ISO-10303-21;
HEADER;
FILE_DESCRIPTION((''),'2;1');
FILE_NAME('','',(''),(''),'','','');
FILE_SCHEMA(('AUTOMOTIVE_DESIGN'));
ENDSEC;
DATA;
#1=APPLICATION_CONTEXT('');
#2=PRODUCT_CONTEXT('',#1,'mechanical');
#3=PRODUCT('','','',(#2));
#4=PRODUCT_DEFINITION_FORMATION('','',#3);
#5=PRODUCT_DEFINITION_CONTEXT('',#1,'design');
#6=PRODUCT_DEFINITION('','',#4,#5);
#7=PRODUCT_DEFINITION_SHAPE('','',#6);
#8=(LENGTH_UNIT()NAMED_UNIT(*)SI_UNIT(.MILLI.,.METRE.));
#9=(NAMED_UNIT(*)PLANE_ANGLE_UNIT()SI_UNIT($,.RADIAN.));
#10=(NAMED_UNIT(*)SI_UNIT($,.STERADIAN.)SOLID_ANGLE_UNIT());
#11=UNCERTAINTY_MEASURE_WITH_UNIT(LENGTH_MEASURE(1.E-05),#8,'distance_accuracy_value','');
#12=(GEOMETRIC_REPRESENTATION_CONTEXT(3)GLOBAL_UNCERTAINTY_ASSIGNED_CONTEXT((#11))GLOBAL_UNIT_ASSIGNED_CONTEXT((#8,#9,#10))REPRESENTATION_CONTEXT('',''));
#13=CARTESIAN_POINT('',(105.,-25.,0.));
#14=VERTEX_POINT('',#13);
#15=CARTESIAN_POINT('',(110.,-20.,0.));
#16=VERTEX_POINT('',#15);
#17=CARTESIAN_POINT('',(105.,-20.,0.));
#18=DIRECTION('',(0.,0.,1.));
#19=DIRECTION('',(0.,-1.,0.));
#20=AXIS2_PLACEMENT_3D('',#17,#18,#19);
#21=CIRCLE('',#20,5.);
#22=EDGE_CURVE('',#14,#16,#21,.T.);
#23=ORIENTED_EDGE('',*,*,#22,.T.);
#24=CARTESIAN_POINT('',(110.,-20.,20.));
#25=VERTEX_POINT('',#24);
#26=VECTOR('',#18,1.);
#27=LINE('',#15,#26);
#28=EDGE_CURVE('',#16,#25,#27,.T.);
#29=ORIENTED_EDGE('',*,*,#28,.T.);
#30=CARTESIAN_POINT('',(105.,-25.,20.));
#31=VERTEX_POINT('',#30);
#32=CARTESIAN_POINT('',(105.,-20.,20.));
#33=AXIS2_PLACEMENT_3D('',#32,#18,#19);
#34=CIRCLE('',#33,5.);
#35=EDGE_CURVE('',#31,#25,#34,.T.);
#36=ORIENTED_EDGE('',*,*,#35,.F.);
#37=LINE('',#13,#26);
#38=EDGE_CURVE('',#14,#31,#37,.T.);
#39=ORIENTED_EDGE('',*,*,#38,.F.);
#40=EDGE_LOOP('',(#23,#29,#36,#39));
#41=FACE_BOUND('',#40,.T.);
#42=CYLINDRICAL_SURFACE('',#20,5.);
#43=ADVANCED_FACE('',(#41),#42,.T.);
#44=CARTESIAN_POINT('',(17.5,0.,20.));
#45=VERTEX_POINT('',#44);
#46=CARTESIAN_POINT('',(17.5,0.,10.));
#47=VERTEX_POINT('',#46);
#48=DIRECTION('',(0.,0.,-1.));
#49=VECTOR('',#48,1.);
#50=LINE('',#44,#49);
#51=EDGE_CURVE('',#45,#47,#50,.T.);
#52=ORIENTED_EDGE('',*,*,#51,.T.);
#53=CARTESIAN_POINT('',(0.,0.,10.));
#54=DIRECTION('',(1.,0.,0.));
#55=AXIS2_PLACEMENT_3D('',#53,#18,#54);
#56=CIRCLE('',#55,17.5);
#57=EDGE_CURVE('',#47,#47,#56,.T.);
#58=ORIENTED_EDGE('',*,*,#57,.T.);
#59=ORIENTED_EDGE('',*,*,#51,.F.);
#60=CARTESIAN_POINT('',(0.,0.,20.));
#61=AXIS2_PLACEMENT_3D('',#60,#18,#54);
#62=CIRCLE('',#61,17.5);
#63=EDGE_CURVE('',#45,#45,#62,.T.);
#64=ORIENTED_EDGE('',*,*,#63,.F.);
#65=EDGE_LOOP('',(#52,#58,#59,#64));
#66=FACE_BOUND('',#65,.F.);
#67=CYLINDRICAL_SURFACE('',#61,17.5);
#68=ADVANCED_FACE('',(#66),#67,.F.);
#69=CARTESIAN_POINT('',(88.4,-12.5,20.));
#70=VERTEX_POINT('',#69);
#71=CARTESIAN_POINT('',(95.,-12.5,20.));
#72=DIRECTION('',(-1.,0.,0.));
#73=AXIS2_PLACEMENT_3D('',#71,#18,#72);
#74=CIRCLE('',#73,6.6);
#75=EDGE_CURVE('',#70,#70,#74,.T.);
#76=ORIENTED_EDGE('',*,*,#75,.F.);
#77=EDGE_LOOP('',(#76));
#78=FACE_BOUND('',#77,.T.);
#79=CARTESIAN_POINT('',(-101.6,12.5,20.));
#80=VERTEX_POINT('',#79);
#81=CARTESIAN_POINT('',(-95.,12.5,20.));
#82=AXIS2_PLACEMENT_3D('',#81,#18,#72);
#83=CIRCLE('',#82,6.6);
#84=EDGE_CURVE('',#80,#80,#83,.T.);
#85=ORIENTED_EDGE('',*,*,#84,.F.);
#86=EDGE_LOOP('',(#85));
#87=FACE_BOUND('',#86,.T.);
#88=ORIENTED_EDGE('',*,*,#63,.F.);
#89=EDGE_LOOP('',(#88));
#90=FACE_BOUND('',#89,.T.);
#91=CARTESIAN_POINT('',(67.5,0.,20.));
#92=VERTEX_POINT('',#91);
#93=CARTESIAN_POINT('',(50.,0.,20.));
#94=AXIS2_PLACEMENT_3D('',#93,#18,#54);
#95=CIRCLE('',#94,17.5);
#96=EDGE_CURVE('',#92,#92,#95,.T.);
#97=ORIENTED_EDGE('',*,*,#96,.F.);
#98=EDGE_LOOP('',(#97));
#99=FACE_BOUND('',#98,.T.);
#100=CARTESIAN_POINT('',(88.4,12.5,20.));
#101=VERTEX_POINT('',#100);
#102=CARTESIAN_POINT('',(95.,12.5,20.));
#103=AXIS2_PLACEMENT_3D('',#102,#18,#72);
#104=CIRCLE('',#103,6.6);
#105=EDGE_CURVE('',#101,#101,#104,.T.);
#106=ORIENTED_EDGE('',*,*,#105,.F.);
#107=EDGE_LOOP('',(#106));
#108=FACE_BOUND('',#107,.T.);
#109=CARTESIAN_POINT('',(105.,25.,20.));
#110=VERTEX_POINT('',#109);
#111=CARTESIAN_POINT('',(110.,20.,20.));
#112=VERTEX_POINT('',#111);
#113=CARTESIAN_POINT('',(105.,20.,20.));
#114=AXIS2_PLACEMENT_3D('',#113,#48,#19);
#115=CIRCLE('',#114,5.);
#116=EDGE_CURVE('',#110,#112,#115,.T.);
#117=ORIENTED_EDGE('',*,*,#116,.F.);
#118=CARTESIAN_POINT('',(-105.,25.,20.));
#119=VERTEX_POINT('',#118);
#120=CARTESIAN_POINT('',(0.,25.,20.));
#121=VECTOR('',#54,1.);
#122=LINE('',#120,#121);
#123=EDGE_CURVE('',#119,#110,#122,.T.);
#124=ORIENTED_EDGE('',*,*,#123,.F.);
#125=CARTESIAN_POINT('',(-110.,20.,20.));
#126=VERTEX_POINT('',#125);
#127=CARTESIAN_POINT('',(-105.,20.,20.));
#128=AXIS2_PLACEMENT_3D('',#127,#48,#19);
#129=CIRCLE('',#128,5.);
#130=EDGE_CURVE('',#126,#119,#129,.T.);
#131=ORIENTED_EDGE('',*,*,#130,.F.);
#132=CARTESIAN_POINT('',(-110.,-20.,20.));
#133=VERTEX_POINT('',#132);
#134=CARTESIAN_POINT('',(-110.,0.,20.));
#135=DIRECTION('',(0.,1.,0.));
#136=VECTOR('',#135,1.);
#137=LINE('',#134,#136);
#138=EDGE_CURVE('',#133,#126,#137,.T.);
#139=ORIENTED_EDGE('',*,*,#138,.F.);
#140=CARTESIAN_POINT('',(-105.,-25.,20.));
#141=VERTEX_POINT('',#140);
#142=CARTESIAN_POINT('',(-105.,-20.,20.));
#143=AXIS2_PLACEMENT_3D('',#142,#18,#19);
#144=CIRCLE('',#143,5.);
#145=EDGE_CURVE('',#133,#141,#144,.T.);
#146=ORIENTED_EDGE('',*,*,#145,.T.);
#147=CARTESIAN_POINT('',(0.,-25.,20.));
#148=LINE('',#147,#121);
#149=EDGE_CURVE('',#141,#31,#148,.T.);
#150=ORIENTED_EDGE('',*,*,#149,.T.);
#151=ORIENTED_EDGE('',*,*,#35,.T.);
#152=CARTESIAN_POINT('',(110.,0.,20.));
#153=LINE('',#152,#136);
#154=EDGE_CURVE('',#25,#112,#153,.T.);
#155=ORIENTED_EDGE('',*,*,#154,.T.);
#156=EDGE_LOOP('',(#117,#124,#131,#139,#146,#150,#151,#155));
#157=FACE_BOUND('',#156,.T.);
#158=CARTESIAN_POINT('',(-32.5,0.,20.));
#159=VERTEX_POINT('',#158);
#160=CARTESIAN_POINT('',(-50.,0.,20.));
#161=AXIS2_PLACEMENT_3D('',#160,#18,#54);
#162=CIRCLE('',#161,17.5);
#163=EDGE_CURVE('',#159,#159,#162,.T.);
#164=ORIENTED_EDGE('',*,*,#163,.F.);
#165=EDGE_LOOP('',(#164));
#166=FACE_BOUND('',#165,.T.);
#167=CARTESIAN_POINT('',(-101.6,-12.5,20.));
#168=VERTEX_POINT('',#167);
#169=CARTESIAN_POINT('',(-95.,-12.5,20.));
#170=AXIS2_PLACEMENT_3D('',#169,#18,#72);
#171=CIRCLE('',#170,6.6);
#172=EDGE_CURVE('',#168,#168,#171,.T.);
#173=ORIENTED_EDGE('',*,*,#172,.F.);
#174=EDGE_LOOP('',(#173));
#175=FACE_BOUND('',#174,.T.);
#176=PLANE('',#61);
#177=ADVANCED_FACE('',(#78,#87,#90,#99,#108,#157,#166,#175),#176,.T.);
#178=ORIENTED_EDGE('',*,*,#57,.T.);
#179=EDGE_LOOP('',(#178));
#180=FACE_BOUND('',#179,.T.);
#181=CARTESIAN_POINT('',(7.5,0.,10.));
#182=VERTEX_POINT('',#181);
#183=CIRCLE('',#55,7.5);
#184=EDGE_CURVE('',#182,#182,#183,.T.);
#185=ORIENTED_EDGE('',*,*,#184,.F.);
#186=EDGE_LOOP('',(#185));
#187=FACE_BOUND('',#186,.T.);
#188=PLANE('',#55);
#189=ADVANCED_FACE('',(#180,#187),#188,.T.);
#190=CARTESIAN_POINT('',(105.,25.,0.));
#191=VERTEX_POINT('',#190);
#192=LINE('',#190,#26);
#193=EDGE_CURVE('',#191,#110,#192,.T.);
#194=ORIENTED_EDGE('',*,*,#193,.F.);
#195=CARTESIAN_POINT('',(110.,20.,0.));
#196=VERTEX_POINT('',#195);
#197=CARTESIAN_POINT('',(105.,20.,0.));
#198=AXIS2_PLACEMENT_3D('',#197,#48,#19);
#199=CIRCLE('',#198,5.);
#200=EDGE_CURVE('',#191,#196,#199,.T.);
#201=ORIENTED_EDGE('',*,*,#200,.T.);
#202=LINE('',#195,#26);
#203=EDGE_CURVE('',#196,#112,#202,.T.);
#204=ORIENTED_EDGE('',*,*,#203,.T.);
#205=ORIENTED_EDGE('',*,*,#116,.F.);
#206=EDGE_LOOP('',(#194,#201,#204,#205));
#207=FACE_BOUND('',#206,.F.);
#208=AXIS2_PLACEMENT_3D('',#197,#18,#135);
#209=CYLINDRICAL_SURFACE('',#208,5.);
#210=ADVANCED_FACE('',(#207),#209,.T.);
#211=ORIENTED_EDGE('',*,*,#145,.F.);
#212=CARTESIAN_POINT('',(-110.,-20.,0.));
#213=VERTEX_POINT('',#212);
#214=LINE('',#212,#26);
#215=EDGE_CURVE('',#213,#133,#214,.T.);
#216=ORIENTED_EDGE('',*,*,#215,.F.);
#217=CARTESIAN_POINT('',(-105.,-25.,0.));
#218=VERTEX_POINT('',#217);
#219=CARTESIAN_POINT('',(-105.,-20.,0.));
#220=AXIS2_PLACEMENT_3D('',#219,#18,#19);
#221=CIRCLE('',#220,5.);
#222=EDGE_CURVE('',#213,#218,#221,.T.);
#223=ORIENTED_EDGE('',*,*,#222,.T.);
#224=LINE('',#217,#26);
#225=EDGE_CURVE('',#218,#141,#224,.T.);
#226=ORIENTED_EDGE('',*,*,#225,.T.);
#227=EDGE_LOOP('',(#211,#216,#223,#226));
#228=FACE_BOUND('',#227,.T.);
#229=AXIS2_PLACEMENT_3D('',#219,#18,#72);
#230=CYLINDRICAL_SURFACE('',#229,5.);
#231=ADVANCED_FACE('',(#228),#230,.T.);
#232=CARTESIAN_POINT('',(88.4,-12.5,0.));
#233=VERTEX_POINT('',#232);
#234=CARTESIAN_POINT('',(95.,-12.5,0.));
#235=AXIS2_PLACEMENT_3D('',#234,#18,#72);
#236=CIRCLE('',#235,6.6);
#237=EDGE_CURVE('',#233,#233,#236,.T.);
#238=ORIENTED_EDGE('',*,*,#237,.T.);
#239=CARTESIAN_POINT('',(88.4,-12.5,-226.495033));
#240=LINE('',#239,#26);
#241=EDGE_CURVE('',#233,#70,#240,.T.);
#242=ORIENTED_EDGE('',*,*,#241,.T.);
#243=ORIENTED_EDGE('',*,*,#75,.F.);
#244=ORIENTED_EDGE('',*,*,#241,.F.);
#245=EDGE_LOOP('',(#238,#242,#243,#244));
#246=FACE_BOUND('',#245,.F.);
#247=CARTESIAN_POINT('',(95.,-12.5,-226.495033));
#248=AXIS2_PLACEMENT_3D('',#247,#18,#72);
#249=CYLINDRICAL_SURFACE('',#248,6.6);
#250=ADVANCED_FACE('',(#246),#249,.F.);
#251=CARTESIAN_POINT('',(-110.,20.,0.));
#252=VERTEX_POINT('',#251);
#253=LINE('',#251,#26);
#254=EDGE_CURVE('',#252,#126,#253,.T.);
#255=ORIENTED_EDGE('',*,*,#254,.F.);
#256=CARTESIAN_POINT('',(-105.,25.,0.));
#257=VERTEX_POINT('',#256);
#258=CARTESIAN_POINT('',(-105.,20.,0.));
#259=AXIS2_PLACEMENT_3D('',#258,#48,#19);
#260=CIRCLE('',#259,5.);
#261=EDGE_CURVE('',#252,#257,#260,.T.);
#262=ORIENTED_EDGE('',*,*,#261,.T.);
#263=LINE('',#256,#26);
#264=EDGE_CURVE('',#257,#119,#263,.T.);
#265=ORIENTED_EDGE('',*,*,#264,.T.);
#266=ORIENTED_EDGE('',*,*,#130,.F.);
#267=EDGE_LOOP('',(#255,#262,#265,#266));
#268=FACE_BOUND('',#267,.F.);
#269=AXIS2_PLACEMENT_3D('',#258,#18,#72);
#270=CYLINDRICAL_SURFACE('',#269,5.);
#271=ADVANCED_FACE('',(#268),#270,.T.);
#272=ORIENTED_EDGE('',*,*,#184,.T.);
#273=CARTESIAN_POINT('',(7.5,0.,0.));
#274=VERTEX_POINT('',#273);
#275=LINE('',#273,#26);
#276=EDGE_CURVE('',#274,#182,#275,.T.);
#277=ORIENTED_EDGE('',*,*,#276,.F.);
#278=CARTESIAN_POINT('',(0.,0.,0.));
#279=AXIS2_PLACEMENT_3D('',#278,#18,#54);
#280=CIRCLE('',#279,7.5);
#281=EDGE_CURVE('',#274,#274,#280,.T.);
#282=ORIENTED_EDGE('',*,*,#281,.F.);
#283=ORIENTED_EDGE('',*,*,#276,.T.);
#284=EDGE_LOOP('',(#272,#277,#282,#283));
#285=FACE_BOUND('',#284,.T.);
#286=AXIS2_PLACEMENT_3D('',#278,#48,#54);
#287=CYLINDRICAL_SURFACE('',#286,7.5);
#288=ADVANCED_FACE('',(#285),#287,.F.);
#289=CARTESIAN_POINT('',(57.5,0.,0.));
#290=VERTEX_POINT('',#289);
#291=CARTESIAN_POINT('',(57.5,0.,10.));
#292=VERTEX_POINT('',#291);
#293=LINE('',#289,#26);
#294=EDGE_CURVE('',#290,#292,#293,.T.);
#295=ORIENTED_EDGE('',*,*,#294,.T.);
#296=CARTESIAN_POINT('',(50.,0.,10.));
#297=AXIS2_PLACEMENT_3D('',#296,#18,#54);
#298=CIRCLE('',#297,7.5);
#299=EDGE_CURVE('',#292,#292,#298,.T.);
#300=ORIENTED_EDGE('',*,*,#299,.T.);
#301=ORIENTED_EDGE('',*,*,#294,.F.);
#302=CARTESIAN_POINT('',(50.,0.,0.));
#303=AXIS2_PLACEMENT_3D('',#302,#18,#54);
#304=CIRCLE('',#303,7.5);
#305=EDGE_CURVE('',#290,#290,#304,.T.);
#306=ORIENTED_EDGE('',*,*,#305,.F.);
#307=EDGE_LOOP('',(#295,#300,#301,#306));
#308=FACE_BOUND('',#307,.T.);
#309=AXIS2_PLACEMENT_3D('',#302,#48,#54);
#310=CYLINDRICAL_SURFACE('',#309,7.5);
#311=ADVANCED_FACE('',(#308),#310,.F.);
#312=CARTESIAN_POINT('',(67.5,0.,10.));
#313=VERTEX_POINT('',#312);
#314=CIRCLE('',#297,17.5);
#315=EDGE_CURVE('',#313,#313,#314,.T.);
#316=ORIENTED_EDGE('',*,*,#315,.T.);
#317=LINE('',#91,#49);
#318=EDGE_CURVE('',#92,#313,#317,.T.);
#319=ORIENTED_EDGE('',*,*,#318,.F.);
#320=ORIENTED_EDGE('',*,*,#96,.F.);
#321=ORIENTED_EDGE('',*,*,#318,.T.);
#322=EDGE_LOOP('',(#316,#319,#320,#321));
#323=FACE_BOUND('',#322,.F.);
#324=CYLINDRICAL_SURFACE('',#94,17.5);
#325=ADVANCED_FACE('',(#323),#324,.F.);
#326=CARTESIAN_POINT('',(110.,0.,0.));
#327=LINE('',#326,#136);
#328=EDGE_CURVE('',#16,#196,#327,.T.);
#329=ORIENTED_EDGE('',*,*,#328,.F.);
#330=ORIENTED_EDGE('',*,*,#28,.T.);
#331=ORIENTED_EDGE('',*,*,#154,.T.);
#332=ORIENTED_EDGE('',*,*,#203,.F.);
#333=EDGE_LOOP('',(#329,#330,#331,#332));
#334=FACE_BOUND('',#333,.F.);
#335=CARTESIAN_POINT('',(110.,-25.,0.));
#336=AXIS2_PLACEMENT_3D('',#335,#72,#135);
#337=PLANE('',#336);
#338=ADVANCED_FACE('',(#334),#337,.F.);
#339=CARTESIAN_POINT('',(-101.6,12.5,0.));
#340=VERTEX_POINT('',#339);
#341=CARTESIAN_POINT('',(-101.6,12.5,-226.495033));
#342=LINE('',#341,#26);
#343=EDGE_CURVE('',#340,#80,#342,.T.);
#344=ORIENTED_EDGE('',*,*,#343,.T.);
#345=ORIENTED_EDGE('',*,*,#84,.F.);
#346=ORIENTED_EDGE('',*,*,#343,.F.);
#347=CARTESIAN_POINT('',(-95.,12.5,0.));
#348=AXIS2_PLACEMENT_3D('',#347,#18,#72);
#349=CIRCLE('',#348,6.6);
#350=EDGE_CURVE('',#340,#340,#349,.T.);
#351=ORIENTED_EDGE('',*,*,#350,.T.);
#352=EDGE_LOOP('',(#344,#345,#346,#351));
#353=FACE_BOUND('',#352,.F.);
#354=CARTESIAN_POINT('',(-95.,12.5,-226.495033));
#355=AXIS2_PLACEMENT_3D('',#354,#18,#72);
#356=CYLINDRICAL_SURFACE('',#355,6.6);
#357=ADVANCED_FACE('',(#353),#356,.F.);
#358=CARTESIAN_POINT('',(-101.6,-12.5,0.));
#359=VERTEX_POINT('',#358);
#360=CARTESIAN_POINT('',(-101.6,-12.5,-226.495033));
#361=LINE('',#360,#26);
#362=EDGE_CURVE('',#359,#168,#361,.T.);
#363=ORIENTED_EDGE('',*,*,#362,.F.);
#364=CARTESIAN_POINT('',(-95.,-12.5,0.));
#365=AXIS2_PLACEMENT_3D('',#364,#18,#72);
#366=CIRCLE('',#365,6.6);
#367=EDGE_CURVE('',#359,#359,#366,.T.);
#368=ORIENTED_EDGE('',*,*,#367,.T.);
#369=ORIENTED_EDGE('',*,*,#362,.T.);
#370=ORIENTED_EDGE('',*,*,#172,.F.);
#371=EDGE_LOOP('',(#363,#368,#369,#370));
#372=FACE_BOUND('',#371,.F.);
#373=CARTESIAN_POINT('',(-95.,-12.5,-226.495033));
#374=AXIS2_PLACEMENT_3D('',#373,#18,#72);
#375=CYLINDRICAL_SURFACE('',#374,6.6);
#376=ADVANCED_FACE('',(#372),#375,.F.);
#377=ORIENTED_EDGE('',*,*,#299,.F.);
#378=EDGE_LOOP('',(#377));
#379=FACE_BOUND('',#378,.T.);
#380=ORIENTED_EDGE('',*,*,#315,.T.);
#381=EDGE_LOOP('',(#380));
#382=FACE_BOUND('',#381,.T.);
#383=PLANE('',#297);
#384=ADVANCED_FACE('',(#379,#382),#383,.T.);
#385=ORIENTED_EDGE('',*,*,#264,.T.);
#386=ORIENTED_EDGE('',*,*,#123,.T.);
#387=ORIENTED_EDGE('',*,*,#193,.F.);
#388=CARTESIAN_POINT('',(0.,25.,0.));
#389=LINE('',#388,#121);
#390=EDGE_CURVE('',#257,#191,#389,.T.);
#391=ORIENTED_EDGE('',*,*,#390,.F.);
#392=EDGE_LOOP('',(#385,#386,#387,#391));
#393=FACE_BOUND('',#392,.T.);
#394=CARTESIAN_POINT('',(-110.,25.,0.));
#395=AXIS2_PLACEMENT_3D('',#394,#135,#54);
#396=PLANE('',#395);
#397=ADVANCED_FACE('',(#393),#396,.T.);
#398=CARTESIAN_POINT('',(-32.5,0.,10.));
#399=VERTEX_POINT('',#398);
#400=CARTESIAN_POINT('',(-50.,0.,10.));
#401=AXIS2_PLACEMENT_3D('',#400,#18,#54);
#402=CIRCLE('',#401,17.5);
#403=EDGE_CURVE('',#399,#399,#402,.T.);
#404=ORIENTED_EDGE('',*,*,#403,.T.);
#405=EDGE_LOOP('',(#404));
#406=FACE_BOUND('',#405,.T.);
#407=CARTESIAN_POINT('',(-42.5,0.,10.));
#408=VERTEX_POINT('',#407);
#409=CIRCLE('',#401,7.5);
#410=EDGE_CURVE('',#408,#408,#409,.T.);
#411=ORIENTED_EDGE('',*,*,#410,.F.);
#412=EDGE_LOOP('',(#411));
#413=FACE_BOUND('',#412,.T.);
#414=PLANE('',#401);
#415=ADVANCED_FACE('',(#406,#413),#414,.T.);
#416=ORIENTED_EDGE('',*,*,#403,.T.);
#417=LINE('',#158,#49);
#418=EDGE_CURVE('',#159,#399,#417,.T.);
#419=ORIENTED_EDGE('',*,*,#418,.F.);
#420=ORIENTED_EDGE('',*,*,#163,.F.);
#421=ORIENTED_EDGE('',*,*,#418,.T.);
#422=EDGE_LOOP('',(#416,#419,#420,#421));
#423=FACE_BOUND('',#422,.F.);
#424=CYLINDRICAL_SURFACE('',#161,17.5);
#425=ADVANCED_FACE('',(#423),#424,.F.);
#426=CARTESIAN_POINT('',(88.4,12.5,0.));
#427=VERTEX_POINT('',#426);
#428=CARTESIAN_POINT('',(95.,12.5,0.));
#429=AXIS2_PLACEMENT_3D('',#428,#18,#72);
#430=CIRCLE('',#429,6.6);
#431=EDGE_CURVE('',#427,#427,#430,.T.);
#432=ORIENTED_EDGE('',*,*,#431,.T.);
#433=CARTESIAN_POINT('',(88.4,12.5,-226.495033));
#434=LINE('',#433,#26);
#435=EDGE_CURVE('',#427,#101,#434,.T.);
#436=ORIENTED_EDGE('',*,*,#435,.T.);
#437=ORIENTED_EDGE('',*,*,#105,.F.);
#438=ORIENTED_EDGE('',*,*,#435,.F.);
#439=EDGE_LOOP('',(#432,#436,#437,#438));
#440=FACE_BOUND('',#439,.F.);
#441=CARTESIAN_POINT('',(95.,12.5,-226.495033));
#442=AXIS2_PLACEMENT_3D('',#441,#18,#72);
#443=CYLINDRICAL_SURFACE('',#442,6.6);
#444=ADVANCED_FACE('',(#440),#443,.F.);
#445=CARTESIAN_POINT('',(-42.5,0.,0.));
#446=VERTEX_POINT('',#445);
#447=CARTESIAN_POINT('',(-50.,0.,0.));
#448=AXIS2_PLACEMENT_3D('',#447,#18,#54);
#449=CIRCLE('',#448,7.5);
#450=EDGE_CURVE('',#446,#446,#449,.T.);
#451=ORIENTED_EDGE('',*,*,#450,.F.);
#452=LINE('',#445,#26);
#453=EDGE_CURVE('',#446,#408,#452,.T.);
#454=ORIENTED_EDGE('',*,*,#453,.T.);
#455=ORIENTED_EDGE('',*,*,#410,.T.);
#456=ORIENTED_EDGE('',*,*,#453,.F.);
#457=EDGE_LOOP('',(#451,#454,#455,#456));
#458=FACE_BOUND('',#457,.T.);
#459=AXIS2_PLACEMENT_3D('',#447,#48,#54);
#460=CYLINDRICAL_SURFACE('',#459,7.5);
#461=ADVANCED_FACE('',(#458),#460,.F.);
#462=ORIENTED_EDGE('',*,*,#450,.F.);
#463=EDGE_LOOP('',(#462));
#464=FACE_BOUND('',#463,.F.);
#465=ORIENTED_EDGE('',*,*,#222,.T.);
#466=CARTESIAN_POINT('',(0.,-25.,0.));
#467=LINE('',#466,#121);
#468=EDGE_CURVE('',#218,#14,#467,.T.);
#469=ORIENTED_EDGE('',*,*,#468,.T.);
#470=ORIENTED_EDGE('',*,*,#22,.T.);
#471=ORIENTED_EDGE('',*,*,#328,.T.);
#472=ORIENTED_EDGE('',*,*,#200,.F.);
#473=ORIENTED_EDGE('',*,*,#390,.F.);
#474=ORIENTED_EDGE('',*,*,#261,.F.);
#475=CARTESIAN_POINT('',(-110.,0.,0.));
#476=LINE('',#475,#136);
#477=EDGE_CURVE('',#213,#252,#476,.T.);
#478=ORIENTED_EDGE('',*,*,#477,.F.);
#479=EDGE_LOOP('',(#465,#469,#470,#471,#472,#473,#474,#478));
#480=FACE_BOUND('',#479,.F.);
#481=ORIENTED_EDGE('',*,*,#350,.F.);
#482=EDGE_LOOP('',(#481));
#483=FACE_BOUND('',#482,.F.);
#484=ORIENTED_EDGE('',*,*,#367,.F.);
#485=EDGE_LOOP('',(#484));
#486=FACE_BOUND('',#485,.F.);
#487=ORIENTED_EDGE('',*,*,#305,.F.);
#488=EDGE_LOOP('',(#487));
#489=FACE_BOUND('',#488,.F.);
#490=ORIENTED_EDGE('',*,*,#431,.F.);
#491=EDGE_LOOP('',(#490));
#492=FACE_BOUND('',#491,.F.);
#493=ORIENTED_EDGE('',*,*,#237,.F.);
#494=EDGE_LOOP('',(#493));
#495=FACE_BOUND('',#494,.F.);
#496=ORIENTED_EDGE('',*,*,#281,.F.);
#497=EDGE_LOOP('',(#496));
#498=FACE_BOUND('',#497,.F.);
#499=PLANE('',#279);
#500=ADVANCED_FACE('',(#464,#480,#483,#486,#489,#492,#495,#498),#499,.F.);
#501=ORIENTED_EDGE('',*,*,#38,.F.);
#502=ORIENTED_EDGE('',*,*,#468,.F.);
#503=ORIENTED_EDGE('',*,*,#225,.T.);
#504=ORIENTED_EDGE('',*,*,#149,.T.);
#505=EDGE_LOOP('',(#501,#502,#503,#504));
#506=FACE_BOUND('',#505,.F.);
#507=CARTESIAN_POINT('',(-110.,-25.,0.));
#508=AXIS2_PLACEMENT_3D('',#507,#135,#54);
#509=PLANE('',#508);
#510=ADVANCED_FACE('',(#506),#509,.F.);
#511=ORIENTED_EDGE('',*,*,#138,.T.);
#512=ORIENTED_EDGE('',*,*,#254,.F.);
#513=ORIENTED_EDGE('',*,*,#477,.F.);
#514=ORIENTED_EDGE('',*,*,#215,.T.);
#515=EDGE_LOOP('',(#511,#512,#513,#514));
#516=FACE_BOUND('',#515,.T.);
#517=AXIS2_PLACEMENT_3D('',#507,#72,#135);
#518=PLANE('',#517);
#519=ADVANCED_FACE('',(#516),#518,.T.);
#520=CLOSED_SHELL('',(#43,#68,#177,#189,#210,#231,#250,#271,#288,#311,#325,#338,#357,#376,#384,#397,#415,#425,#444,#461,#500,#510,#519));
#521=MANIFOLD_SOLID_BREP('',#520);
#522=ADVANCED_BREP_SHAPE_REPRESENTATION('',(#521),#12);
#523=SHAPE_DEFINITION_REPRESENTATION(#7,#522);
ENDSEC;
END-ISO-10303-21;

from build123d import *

# Parameters (mm, degrees)
F0_W     = 220
F0_H     = 50
F0_R     = 7.5
F1_DEPTH = 20
F2_D     = 13.2
F3_R     = 5
F4_R     = 17.5
F4_R_2   = 7.5
F5_DEPTH = 10


with BuildPart() as f1:
    # F0 (on Top) → F1 (new body)
    with BuildSketch(Plane.XY):
        Rectangle(F0_W, F0_H)
        with Locations((-50, 0)):
            Circle(F0_R, mode=Mode.SUBTRACT)
        Circle(F0_R, mode=Mode.SUBTRACT)
        with Locations((50, 0)):
            Circle(F0_R, mode=Mode.SUBTRACT)
    extrude(amount=F1_DEPTH)

    # F2 (through all)
    with Locations(Plane(origin=(0, 0, 0), x_dir=(1, 0, 0), z_dir=(0, 0, -1))):
        with Locations((-95, -12.5), (-95, 12.5), (95, -12.5), (95, 12.5)):
            Hole(F2_D / 2)

    # F3
    f3_edges = [f1.edges().sort_by_distance(p)[0] for p in [
        (-110, -25, 10),
        (110, -25, 10),
        (110, 25, 10),
        (-110, 25, 10),
    ]]
    fillet(f3_edges, radius=F3_R)

    # F4 (on face) → F5 (cut)
    with BuildSketch(Plane.XY.offset(20)):
        with Locations((-50, 0)):
            Circle(F4_R)
        with Locations((-50, 0)):
            Circle(F4_R_2, mode=Mode.SUBTRACT)
        with Locations((50, 0)):
            Circle(F4_R)
        with Locations((50, 0)):
            Circle(F4_R_2, mode=Mode.SUBTRACT)
        Circle(F4_R)
        Circle(F4_R_2, mode=Mode.SUBTRACT)
    extrude(amount=-F5_DEPTH, mode=Mode.SUBTRACT)


solid = f1.part
